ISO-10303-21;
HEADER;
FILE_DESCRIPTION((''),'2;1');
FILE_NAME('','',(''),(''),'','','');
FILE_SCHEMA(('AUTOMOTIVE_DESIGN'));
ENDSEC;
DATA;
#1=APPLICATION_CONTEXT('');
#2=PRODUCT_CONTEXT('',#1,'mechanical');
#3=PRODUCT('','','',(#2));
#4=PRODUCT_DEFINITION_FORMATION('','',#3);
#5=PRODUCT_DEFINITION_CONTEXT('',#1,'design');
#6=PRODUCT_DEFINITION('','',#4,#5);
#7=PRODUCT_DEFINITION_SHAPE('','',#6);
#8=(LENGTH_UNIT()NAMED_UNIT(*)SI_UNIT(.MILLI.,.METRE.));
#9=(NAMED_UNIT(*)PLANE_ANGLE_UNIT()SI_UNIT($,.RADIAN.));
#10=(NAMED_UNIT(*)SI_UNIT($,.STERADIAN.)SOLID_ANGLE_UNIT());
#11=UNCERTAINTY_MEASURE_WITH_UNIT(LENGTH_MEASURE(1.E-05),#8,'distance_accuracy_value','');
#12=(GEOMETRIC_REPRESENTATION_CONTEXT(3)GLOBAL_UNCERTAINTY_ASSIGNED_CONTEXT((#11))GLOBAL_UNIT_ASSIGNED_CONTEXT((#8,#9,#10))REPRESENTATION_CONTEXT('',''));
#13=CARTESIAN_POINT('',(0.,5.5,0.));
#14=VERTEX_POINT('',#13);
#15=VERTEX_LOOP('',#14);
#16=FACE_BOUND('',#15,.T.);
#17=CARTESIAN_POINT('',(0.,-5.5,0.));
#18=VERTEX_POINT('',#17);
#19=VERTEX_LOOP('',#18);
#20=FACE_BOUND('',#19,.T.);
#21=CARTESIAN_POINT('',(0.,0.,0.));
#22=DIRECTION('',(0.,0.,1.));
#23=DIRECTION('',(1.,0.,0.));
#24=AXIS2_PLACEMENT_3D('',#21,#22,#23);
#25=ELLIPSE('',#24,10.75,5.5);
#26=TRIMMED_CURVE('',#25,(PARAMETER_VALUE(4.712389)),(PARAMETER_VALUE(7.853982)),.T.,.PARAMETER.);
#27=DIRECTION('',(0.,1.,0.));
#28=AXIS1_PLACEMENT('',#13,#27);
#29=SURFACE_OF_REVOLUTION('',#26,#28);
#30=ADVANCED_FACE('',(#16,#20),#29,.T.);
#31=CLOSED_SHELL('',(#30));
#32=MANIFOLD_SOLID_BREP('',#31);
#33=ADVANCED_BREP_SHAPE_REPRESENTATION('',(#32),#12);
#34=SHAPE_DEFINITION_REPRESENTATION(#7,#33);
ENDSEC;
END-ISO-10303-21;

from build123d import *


with BuildPart() as part:
    # Sketch3 → Revolve3 (revolve)
    with BuildSketch(Plane.XY):
        with BuildLine():
            Line((0, 5.5), (0, -5.5))
            add(Edge.make_bspline(
                [(0, -5.5), (10.75, -5.5), (10.75, 0), (10.75, 5.5), (0, 5.5)],
                knots=[4.71238898, 4.71238898, 4.71238898, 6.283185307, 6.283185307, 7.853981634, 7.853981634, 7.853981634], degree=2, weights=[1, 0.707106781, 1, 0.707106781, 1]))
        make_face()
    revolve(axis=Axis((0, 5.5, 0), (0, -1, 0)))


solid = part.part
